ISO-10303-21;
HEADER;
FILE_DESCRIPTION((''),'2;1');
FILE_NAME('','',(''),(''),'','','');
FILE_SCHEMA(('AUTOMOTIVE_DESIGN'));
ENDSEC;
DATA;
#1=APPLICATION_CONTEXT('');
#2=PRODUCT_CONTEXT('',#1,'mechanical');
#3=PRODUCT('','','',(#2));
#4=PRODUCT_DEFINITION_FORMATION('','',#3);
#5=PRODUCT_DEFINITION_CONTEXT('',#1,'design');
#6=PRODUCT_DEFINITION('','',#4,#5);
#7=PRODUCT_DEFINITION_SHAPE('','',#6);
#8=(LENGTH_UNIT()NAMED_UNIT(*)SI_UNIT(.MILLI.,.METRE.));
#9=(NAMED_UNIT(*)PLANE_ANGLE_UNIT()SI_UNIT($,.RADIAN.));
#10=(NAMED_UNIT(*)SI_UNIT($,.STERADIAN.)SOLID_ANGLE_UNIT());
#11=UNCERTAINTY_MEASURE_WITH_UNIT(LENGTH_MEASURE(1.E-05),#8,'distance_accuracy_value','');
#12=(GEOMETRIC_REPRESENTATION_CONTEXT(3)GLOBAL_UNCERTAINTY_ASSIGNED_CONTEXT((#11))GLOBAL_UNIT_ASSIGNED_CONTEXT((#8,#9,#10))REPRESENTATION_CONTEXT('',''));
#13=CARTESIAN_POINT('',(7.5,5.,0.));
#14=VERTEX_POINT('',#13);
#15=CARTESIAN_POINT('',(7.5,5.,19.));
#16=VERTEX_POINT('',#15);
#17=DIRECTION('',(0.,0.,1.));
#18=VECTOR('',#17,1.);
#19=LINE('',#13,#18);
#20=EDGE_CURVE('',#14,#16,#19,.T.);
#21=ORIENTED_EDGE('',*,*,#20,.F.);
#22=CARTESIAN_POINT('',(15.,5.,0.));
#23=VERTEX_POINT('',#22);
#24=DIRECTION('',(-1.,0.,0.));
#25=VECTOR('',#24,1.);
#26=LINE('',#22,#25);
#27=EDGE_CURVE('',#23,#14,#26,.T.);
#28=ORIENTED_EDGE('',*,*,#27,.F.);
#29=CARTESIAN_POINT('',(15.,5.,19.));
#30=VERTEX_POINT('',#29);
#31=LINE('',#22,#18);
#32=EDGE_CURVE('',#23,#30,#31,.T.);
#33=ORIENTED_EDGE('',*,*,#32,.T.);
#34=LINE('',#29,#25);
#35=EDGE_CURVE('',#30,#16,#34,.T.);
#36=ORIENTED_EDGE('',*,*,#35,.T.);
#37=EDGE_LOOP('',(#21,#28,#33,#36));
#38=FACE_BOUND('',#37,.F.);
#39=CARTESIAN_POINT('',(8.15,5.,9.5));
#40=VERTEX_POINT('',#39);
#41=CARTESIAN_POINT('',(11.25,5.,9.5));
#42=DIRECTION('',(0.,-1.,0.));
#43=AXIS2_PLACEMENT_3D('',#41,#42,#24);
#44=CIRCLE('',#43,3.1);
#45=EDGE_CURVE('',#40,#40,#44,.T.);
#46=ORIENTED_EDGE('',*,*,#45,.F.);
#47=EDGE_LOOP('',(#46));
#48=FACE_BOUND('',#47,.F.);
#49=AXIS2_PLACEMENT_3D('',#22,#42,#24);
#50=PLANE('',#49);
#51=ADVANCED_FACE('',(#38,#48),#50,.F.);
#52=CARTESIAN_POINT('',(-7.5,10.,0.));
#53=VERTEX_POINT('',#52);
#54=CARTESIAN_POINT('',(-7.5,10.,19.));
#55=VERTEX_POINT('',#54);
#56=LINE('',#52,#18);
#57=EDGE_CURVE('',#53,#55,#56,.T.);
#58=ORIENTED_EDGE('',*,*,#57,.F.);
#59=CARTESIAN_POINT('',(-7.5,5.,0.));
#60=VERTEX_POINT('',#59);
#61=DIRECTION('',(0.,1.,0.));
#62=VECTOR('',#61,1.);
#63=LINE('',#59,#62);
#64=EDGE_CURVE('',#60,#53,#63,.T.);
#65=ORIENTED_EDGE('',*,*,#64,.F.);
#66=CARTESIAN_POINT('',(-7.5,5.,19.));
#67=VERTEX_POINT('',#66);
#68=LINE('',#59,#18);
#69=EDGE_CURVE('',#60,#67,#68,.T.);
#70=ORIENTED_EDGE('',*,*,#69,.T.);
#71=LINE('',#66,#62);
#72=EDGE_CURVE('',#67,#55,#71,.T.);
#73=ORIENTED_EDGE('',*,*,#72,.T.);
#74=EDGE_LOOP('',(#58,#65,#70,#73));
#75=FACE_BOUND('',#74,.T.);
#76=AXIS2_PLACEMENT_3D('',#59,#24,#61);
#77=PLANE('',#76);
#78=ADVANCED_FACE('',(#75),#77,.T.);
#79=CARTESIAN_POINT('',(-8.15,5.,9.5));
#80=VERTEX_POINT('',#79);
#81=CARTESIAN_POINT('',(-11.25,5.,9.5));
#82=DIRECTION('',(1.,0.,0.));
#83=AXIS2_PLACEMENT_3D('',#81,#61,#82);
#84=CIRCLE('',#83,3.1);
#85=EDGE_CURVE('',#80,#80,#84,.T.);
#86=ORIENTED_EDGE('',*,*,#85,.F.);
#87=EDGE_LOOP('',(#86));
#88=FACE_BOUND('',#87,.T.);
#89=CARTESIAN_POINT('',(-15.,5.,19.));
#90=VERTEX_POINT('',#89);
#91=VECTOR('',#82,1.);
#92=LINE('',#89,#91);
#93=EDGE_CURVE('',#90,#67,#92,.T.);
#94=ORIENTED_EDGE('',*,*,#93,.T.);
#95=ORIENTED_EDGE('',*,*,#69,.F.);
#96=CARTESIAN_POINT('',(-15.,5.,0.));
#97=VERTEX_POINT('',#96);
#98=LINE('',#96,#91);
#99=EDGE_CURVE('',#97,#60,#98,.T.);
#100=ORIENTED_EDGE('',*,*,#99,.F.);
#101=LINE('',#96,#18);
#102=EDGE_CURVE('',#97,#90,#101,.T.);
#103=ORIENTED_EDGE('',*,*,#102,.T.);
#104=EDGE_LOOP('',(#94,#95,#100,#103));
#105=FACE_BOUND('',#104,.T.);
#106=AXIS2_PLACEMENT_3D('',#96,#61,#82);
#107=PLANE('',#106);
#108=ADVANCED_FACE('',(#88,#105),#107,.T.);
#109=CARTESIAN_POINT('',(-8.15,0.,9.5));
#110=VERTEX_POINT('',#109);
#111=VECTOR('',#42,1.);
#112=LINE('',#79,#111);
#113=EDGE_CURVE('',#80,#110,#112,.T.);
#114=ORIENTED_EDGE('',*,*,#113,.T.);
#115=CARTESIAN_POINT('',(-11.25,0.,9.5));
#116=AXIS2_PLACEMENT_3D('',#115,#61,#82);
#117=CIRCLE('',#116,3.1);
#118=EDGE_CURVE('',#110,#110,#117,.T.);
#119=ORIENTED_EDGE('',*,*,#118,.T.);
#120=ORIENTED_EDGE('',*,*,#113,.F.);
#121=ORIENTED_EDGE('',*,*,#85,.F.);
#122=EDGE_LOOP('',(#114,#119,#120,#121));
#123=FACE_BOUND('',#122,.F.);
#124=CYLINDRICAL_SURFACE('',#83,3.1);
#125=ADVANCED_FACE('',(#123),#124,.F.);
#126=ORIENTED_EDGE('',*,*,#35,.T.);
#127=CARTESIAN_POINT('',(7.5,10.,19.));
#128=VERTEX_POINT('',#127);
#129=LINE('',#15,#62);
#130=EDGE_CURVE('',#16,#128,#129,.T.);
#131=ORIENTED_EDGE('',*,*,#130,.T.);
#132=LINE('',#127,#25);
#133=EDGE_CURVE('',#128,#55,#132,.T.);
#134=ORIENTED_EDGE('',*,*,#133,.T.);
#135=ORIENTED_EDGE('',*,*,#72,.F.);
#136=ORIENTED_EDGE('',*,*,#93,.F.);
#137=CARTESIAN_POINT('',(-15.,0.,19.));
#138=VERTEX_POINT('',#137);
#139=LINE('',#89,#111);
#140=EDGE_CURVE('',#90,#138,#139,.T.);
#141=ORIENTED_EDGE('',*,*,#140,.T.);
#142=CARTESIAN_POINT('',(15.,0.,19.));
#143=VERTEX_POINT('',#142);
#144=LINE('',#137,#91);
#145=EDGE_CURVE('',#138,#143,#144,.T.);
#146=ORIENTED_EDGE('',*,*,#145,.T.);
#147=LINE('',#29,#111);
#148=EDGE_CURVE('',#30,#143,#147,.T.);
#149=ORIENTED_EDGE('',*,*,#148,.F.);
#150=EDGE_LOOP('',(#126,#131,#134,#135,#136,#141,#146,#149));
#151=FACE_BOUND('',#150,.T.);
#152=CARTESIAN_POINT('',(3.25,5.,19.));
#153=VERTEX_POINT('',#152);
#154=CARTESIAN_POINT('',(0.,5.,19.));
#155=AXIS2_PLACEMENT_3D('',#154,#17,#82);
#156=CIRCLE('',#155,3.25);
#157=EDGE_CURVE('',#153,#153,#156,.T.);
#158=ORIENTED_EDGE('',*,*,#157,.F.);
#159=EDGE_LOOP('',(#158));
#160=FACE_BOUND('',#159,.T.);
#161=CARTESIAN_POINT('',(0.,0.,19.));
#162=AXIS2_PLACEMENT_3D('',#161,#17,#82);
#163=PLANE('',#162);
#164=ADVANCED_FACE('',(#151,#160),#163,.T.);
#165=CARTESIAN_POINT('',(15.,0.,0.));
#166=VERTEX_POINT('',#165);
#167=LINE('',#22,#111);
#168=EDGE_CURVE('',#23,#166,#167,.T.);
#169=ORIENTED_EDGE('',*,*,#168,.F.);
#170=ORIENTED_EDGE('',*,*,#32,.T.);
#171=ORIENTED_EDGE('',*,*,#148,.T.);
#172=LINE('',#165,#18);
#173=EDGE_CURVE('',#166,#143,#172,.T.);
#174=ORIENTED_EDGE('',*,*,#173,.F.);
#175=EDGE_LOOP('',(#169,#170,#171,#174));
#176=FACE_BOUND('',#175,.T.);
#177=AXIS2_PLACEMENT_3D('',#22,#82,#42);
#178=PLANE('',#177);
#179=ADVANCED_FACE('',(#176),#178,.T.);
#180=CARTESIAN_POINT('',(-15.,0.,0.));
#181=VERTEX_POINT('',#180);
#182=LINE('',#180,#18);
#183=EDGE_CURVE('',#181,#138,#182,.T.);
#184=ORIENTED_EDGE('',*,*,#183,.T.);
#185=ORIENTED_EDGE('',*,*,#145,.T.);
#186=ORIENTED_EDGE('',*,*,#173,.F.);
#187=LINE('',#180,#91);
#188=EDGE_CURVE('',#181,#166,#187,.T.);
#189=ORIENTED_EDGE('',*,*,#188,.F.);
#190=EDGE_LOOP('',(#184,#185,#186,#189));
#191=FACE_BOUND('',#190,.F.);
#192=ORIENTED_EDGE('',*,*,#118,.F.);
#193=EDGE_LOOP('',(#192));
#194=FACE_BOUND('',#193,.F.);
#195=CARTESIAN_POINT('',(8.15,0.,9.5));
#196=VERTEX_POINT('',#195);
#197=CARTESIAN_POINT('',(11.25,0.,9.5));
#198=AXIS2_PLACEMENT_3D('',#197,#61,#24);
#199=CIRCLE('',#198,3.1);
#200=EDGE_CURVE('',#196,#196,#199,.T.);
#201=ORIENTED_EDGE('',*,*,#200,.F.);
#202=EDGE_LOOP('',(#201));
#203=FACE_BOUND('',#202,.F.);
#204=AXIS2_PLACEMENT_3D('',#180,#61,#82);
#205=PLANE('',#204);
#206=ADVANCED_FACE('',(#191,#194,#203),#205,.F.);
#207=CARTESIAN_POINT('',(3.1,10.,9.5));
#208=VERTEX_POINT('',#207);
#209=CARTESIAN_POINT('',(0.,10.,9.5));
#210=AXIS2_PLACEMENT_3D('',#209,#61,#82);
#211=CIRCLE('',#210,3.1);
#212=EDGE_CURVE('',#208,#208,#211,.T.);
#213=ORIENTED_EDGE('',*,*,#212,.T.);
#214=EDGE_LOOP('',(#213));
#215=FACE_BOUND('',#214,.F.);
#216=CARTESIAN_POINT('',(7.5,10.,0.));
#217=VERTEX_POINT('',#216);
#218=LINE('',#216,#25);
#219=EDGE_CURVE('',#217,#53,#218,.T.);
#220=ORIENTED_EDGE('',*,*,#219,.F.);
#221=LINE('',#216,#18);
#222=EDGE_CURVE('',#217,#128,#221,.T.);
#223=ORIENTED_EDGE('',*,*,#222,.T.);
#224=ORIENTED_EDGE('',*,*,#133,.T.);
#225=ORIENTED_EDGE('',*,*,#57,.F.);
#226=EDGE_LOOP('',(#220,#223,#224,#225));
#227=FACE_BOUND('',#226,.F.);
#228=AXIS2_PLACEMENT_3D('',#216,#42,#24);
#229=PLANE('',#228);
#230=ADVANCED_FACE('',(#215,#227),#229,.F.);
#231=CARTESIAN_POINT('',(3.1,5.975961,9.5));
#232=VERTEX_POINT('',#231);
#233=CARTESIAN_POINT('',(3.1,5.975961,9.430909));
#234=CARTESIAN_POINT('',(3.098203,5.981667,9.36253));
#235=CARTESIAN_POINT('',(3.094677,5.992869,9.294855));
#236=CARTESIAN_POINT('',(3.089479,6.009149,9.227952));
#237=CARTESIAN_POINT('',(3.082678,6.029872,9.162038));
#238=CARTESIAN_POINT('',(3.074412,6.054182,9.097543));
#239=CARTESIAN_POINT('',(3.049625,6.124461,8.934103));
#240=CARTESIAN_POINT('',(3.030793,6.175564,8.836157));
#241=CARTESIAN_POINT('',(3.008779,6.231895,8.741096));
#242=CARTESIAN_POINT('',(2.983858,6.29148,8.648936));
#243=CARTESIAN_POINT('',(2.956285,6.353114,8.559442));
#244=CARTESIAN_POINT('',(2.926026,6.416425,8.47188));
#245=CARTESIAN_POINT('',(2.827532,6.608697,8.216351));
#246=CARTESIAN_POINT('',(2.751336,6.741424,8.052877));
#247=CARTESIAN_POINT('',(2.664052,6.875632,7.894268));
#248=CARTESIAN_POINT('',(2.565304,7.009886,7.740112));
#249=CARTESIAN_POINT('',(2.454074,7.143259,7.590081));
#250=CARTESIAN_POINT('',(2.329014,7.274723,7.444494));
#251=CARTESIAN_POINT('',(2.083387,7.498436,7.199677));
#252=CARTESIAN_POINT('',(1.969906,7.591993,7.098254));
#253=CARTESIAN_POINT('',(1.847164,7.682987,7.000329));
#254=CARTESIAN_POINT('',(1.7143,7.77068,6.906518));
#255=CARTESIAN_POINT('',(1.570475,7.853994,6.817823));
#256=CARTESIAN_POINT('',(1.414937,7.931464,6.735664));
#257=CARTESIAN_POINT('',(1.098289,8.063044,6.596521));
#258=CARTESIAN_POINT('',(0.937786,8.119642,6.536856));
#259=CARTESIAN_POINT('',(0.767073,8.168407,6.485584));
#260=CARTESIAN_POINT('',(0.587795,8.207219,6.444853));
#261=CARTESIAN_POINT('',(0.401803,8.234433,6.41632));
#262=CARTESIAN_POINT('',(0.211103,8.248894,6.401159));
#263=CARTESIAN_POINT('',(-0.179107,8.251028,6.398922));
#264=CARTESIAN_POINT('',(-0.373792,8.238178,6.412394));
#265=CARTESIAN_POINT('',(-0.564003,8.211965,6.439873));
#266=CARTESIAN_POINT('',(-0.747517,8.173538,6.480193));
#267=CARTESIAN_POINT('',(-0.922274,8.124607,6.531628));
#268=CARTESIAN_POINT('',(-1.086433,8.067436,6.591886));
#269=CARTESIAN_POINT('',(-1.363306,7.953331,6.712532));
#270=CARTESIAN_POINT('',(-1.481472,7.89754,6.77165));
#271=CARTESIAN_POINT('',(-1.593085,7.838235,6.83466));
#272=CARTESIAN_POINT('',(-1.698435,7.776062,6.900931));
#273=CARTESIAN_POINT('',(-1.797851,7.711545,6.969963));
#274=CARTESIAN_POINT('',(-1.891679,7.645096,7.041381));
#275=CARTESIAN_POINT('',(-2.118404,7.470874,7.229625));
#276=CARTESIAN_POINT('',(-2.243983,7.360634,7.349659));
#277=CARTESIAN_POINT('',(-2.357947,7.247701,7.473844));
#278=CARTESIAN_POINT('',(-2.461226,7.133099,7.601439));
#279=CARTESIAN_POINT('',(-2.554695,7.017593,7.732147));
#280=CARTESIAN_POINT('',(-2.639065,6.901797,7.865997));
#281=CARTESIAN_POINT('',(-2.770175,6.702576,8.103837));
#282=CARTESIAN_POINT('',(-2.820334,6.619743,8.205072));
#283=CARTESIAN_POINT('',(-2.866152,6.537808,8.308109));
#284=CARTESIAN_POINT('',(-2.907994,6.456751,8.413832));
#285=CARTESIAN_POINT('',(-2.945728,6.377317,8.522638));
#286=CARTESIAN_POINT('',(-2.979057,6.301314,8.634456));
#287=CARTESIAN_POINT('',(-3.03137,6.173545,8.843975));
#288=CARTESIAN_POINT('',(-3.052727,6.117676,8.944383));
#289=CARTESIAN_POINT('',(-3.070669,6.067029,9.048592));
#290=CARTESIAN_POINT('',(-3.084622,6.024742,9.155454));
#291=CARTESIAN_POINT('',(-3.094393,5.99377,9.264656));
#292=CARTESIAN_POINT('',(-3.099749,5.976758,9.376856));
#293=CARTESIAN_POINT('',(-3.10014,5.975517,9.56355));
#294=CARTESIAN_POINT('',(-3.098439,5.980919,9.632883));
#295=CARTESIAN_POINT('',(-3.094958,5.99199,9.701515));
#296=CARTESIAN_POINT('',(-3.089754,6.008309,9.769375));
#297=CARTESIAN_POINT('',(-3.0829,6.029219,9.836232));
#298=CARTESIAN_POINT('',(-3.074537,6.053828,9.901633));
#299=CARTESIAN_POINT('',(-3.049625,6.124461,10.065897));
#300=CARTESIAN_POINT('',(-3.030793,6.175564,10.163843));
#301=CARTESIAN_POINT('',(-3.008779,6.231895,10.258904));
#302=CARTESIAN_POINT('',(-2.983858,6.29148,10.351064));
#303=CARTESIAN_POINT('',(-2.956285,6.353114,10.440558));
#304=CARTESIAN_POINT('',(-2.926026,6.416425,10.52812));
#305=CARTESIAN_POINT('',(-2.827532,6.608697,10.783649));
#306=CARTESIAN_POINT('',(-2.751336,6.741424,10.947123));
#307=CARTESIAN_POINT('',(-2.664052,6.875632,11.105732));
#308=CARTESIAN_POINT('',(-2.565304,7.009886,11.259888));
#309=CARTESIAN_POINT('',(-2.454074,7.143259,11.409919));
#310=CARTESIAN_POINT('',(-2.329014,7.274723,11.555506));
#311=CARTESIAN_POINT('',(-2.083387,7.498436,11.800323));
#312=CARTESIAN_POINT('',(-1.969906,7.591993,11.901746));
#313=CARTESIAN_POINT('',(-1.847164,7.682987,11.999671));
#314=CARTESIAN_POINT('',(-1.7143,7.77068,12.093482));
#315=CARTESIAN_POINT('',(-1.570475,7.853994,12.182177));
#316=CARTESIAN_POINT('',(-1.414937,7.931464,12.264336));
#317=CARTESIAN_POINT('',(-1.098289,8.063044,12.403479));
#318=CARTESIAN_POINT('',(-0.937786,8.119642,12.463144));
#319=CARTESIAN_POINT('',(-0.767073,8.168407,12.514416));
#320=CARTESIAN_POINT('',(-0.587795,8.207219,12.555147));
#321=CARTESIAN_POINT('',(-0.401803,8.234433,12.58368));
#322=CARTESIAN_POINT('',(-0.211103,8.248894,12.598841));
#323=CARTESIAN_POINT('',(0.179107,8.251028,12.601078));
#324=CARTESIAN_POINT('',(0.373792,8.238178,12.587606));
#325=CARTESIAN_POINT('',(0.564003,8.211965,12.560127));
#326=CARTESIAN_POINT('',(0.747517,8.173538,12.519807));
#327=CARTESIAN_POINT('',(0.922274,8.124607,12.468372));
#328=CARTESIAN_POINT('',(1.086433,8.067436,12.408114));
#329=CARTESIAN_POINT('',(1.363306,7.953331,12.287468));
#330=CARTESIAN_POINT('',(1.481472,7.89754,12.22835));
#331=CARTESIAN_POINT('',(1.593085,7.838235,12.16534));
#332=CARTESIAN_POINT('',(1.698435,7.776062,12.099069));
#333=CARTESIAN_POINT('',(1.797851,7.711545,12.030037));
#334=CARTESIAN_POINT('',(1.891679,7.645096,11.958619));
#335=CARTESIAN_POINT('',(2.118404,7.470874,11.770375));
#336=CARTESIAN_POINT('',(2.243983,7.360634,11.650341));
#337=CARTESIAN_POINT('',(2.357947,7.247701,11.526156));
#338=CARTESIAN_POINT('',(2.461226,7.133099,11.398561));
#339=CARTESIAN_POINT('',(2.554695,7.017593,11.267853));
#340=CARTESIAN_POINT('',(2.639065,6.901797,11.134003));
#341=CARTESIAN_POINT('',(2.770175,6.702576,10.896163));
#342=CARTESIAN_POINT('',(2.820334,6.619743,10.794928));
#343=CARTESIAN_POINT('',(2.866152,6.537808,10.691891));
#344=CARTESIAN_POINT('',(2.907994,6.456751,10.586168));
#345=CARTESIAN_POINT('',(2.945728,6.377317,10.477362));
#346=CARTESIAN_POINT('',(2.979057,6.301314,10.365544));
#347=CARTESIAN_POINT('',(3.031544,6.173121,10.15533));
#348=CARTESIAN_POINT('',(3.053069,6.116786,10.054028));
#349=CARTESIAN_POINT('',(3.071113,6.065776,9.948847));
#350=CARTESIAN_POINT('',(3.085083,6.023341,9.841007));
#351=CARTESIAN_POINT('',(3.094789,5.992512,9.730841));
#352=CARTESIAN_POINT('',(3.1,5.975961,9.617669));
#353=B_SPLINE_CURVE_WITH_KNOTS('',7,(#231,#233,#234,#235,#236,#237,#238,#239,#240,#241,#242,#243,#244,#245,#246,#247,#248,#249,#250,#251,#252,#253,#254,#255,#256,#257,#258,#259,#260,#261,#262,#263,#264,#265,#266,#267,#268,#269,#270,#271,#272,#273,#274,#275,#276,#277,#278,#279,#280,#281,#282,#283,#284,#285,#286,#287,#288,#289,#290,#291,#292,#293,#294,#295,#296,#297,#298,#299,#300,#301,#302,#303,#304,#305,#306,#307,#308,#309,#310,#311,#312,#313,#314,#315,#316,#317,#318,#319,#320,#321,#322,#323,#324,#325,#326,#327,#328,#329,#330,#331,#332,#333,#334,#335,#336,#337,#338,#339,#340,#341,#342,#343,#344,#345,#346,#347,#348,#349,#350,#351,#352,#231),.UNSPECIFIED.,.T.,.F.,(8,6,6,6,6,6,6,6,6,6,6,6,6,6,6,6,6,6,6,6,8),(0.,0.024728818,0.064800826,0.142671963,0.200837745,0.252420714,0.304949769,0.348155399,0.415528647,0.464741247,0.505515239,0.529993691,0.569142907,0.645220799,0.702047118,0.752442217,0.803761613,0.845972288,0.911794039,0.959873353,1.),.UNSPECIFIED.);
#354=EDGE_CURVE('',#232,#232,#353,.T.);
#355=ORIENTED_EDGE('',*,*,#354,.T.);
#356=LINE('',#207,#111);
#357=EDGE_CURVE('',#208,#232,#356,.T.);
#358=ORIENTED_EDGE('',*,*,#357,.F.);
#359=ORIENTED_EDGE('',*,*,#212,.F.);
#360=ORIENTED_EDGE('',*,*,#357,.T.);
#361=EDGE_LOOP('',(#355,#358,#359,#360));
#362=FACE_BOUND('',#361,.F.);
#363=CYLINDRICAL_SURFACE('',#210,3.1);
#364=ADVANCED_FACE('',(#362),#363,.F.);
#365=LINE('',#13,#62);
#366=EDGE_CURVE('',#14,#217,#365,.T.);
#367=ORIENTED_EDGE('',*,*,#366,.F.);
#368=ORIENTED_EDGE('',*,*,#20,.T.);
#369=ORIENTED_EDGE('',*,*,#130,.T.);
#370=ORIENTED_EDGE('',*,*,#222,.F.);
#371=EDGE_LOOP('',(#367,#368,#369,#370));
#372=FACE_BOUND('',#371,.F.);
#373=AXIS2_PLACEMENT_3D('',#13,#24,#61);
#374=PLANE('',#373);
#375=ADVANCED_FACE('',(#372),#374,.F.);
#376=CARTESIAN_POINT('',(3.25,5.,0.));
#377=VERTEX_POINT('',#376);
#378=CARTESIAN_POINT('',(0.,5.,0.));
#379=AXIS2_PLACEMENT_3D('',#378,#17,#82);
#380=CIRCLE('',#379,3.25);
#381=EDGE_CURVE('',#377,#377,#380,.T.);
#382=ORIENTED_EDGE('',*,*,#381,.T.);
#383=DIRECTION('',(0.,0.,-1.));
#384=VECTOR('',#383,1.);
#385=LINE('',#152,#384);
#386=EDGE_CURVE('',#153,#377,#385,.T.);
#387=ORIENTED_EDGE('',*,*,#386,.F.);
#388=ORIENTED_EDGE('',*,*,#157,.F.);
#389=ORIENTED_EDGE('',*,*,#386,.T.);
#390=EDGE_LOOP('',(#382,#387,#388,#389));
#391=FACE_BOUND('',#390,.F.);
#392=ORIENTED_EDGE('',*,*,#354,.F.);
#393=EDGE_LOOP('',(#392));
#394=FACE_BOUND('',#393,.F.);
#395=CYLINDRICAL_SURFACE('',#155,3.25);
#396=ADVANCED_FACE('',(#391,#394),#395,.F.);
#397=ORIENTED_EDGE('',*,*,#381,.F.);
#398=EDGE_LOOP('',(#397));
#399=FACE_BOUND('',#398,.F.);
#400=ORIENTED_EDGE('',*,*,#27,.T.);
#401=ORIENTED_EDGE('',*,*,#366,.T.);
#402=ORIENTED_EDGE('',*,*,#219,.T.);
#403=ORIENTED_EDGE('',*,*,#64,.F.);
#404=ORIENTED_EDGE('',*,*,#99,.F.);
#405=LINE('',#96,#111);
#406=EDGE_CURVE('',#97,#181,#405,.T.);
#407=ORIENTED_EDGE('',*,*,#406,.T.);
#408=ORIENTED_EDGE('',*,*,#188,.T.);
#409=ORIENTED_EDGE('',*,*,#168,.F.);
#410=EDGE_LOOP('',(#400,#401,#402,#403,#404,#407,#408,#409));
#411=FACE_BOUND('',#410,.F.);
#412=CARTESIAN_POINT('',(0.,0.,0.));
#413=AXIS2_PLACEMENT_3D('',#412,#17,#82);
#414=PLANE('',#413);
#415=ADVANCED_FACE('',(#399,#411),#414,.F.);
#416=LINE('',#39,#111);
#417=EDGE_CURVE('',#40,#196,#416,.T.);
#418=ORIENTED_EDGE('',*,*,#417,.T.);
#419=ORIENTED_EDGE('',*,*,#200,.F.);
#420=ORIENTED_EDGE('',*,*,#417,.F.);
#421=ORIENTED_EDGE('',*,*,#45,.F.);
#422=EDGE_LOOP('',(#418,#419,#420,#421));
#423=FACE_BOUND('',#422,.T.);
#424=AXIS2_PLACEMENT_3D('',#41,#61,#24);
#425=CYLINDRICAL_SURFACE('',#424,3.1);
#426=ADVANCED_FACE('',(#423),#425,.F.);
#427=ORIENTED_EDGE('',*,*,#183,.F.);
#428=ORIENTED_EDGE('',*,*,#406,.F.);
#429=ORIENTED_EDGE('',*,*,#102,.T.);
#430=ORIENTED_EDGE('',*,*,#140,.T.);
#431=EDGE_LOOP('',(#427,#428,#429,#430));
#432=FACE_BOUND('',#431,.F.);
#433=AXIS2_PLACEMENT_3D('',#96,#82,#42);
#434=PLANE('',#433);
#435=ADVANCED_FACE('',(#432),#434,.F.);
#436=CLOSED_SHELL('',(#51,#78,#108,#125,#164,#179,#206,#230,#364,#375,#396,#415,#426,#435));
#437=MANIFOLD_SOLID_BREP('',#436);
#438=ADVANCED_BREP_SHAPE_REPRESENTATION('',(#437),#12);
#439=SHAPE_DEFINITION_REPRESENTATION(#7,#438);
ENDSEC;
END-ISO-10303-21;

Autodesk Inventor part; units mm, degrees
sketch "Sketch1" plane through (0, 0, 0) normal (0, 0, 1) x (1, 0, 0)
  line L0 (-15, 0) -> (15, 0)
  line L1 (-15, 5) -> (-15, 0)
  line L2 (15, 5) -> (15, 0)
  line L3 (15, 5) -> (7.5, 5)
  line L4 (-15, 5) -> (-7.5, 5)
  line L5 (-7.5, 5) -> (-7.5, 10)
  line L6 (7.5, 5) -> (7.5, 10)
  line L7 (7.5, 10) -> (-7.5, 10)
  point P0 (0, 0)
  point P1 (0, 0)
  dimension "d0" = 30
  dimension "d1" = 5
  dimension "d2" = 15
extrude "Extrusion1" add sketch "Sketch1" along normal blind 19
sketch "Sketch2" plane through (-15, 5, 0) normal (0, 1, 0) x (1, 0, 0)
  circle A0 centre (3.75, -9.5) radius 3.1
  line L0 (0, 0) -> (30, 0) projected
  line L1 (0, 0) -> (0, -19) projected
  line L2 (0, 0) -> (0, -19)
  line L3 (0, 0) -> (7.5, 0)
  point P0 (15, 0)
  point P1 (0, -9.5)
  point P2 (3.75, 0)
  dimension "d5" = 6.2
extrude "Extrusion2" cut sketch "Sketch2" against normal through all
mirror "Mirror1" about plane through (0, 0, 0) normal (1, 0, 0) of "Extrusion2"
sketch "Sketch3" plane through (0, 0, 19) normal (0, 0, 1) x (1, 0, 0)
  circle A0 centre (0, 5) radius 3.25
  line L0 (-15, 0) -> (15, 0) projected
  point P0 (0, 0)
  point P1 (0, 0)
  point P2 (-7.5, 5)
  dimension "d9" = 6.5
extrude "Extrusion3" cut sketch "Sketch3" against normal through all
sketch "Sketch4" plane through (-7.5, 10, 0) normal (0, 1, 0) x (1, 0, 0)
  circle A0 centre (7.5, -9.5) radius 3.1
  line L0 (15, 0) -> (0, 0) projected
  line L1 (0, 0) -> (0, -19) projected
  point P0 (7.5, 0)
  point P1 (7.5, 0)
  point P2 (0, -9.5)
  dimension "d12" = 6.2
extrude "Extrusion4" cut sketch "Sketch4" against normal up to next
ref_plane "Work Plane1" through (0, 0, 9.5) normal (0, 0, -1) x (-1, 0, 0)
properties part number "suporte_veio_001_001" material "Aluminum 6061"
